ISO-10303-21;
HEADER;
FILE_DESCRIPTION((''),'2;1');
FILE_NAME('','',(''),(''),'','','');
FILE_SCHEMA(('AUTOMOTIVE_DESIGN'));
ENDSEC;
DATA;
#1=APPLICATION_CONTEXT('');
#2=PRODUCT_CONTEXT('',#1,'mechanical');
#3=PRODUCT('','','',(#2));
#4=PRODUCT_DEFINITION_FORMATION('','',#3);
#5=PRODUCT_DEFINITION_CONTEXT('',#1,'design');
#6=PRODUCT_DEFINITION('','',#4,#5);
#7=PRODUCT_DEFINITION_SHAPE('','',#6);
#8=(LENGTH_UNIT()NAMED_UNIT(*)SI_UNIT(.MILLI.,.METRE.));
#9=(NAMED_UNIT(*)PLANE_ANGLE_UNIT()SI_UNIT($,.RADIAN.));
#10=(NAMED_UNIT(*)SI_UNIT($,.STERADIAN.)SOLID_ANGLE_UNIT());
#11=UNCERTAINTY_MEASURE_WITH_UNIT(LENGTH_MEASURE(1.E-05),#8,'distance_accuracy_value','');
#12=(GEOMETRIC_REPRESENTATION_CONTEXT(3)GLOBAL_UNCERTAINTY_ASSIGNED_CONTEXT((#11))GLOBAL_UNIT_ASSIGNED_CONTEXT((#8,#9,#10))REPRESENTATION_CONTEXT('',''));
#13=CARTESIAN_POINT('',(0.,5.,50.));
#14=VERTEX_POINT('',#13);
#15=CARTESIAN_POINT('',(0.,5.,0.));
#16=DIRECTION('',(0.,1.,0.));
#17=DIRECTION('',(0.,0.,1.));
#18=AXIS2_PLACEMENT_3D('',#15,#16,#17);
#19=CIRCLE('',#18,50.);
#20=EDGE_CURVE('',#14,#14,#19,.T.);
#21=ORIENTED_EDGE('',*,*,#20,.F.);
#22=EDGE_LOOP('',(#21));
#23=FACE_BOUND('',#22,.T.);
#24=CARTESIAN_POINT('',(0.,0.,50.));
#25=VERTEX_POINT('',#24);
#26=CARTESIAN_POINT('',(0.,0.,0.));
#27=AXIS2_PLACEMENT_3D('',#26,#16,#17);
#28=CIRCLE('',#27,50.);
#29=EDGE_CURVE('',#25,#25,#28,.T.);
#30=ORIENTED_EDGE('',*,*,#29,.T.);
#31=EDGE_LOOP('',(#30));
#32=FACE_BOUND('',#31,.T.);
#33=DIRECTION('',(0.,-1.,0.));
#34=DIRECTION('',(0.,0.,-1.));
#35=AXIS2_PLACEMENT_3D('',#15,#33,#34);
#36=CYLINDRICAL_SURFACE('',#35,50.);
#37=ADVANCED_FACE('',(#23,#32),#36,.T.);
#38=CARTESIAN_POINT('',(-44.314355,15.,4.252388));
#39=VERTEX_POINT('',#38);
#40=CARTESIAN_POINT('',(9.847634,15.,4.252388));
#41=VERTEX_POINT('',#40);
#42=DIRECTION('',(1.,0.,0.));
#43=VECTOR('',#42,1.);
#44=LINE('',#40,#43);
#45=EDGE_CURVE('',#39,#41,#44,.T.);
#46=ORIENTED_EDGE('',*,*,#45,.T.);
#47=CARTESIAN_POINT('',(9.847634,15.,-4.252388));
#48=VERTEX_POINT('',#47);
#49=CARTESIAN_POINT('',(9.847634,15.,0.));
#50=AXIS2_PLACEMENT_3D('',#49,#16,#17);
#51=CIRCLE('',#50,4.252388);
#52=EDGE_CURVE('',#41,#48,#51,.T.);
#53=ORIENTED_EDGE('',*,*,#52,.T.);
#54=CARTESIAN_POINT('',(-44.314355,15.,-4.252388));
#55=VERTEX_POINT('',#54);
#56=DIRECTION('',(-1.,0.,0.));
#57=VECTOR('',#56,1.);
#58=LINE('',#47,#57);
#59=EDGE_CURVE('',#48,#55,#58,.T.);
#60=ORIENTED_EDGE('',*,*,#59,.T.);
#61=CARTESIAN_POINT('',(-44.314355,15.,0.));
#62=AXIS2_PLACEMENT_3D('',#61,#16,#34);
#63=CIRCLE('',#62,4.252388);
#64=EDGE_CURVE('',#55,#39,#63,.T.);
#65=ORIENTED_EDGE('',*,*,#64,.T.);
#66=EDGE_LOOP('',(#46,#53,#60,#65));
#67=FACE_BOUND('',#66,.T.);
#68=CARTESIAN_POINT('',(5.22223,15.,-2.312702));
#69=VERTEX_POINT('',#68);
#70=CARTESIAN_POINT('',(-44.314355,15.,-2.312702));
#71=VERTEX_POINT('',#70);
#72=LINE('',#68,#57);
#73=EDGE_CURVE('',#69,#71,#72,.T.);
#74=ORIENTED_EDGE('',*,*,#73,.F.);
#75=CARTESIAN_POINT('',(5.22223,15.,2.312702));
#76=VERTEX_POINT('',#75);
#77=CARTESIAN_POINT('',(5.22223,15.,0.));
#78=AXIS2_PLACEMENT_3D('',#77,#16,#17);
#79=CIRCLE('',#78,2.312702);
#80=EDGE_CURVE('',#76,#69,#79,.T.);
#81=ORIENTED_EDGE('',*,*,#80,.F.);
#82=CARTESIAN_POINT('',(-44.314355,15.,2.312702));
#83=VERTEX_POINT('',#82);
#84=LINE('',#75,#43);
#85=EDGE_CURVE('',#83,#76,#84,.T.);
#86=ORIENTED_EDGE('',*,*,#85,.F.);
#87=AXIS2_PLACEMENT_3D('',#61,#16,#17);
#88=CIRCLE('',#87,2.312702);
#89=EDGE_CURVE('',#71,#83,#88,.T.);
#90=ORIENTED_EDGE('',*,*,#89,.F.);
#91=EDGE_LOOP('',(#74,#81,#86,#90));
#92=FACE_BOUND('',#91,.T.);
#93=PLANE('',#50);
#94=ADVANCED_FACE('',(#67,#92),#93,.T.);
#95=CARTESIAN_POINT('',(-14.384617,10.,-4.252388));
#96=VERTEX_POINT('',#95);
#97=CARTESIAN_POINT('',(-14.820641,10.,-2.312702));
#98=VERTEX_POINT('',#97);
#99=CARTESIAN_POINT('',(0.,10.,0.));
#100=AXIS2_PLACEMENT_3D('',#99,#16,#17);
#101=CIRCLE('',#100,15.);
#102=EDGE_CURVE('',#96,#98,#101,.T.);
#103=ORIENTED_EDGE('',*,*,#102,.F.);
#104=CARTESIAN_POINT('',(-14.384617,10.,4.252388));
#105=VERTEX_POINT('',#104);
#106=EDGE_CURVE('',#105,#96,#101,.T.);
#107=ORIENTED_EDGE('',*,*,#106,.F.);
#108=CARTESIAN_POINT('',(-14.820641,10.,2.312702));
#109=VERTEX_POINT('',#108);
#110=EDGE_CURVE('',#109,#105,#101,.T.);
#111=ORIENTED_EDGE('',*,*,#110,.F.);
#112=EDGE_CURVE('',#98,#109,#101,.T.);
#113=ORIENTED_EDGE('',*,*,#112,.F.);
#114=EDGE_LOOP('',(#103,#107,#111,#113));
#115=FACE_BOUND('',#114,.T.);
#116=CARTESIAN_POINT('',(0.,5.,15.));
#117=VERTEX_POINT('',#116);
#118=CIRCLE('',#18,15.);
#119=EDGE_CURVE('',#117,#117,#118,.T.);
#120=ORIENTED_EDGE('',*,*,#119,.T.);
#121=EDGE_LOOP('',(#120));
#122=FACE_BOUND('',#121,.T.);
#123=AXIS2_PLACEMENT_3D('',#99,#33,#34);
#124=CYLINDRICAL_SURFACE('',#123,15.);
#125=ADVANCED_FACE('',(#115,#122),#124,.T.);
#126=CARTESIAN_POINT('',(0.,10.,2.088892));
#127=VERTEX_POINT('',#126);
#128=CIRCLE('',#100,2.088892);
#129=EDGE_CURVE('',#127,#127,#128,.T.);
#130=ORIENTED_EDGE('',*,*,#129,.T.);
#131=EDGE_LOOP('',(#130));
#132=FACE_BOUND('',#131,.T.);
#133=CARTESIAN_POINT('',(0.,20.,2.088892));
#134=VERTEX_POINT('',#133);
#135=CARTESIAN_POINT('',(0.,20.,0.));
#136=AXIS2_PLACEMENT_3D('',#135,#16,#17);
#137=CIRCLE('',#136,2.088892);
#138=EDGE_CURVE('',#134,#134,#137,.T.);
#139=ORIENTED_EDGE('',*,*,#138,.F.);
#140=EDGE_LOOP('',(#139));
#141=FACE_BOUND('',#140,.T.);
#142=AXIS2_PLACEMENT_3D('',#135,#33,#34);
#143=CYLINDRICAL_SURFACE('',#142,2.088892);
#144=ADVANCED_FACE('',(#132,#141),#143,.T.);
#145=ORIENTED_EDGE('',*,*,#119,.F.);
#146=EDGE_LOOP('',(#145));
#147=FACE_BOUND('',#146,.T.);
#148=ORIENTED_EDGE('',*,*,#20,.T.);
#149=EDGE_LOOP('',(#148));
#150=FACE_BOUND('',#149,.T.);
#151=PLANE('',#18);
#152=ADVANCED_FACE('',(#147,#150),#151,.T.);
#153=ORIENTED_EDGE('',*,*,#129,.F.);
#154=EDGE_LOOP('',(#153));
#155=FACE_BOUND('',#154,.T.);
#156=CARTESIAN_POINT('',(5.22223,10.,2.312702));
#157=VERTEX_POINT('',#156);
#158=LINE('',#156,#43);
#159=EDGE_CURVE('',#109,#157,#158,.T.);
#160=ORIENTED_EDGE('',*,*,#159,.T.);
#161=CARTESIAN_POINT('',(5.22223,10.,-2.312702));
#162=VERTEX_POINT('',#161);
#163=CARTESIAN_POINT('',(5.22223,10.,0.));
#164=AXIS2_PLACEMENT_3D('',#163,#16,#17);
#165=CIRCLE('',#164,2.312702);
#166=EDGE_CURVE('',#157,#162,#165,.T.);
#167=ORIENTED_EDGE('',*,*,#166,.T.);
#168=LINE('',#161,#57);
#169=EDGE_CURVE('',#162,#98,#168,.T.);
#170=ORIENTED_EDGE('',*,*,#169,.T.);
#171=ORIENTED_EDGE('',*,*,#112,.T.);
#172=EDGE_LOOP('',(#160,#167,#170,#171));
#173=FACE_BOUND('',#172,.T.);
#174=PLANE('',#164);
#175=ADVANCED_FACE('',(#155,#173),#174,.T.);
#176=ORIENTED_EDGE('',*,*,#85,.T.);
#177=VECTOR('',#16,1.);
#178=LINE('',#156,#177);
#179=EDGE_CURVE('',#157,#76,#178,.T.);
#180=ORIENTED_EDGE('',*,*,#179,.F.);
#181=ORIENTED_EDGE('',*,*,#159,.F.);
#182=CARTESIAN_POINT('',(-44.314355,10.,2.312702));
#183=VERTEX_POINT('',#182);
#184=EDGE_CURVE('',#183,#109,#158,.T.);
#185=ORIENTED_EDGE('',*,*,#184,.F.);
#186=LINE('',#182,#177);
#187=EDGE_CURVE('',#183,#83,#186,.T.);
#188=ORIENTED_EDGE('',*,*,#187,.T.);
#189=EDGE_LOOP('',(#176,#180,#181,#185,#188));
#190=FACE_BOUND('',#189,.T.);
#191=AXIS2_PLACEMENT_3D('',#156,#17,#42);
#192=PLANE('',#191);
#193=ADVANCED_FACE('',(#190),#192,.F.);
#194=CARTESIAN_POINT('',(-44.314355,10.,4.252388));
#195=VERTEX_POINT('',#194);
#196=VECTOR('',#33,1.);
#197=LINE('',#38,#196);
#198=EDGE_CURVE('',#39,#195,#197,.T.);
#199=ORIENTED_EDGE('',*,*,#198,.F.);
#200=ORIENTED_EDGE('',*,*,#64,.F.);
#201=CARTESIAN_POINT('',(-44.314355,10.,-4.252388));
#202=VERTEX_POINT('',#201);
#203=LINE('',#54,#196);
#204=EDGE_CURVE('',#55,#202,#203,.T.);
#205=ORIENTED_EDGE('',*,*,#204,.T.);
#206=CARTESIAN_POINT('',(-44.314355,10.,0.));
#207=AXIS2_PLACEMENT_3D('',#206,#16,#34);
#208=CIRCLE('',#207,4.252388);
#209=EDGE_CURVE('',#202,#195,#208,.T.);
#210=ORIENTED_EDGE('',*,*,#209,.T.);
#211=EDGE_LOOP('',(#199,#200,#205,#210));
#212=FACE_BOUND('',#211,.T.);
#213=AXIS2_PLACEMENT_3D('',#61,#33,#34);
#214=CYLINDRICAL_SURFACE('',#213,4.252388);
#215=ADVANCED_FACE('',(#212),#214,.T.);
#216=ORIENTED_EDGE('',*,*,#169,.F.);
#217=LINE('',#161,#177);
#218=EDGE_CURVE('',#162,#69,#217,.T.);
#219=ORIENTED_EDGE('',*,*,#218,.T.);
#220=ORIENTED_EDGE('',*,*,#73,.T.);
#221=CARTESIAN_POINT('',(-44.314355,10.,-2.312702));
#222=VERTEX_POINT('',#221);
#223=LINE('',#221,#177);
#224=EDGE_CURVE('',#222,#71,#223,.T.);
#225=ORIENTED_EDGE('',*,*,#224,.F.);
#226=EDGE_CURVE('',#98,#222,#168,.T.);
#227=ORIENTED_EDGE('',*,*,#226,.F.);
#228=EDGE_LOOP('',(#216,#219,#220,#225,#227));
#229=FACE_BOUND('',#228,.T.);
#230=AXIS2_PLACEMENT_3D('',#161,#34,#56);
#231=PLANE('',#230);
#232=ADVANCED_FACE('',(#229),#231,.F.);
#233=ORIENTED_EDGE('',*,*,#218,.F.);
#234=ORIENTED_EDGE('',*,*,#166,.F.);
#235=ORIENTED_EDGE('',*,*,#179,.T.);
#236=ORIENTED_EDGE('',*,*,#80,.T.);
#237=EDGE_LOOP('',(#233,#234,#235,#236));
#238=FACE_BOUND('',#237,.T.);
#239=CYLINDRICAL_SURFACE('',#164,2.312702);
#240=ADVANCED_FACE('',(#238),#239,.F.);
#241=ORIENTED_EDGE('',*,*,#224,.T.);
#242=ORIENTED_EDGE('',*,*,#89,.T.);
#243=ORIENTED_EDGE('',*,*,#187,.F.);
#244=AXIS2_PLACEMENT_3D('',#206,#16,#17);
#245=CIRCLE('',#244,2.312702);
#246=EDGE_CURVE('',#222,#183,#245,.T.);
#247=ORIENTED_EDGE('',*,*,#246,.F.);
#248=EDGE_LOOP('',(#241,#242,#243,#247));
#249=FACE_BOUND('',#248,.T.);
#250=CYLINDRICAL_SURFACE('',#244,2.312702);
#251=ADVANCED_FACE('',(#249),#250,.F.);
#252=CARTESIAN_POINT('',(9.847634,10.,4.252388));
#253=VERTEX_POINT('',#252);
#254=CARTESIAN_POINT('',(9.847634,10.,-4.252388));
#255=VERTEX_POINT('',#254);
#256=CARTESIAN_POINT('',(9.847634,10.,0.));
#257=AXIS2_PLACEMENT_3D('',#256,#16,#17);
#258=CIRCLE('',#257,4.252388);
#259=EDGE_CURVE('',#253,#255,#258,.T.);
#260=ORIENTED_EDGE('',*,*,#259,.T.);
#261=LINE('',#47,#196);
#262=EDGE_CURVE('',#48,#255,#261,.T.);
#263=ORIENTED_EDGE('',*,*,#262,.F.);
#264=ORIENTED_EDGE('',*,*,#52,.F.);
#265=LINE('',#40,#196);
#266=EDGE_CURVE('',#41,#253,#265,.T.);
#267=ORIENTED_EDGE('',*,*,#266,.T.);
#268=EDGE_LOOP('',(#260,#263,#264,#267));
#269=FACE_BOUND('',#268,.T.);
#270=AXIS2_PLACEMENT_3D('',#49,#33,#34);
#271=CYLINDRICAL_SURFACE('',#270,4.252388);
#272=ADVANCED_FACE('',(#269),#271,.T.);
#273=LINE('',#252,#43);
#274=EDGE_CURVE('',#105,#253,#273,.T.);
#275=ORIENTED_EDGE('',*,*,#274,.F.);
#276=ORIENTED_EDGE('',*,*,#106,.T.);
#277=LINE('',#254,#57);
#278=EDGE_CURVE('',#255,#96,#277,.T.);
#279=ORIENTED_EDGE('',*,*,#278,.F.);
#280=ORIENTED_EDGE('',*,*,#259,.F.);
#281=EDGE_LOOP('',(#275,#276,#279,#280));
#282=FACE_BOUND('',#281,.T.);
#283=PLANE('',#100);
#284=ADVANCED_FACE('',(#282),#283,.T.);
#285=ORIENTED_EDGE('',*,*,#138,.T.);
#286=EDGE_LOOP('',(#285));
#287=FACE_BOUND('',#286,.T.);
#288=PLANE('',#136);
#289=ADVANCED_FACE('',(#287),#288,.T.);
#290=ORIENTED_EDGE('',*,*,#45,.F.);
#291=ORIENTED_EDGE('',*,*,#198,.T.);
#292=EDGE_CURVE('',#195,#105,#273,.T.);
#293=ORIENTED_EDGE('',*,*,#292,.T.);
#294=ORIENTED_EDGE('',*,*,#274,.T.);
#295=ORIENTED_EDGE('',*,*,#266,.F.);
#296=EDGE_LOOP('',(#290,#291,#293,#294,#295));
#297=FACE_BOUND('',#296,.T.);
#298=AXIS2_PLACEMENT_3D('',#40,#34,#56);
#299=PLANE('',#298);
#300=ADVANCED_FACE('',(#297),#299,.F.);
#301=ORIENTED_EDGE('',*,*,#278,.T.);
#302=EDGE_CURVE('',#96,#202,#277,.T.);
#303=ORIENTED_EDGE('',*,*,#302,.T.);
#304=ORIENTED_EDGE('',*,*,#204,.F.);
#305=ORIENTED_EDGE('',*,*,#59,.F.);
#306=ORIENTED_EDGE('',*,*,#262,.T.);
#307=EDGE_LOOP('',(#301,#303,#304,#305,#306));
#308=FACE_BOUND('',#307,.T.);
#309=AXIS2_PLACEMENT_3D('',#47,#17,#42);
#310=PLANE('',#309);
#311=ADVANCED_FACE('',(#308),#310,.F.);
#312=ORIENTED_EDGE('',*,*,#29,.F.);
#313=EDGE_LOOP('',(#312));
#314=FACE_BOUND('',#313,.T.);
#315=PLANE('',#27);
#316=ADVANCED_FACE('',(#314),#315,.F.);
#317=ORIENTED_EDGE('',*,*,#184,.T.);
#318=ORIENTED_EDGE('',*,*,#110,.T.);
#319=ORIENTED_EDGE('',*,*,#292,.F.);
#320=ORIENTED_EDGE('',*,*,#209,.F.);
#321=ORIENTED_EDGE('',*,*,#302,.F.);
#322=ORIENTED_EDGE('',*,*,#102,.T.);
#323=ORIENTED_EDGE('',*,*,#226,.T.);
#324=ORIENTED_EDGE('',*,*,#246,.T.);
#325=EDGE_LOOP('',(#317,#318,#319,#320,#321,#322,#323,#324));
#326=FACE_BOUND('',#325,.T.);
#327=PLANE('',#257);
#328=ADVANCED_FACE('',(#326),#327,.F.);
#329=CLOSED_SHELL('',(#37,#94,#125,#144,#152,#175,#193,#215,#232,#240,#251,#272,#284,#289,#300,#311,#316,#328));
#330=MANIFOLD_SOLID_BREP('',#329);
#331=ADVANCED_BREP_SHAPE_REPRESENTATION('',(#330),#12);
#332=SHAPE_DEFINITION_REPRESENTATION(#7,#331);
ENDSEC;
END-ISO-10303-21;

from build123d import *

# Parameters (mm, degrees)
SKETCH1_R           = 50
BOSS_EXTRUDE1_DEPTH = 5
SKETCH2_R           = 15
BOSS_EXTRUDE2_DEPTH = 5
BOSS_EXTRUDE3_DEPTH = 5
CUT_EXTRUDE1_DEPTH  = 5
SKETCH6_R           = 2.088892153
BOSS_EXTRUDE4_DEPTH = 10


with BuildPart() as part:
    # Sketch1 → Boss-Extrude1 (new body)
    with BuildSketch(Plane(origin=(0, 0, 0), x_dir=(1, 0, 0), z_dir=(0, 1, 0))):
        Circle(SKETCH1_R)
    extrude(amount=BOSS_EXTRUDE1_DEPTH)

    # Sketch2 → Boss-Extrude2 (add)
    with BuildSketch(Plane(origin=(0, 5, 0), x_dir=(1, 0, 0), z_dir=(0, 1, 0))):
        Circle(SKETCH2_R)
    extrude(amount=BOSS_EXTRUDE2_DEPTH)

    # Sketch4 → Boss-Extrude3 (add)
    with BuildSketch(Plane(origin=(0, 10, 0), x_dir=(1, 0, 0), z_dir=(0, 1, 0))):
        with BuildLine():
            Line((9.847634435, -4.252387597), (-44.314354955, -4.252387597))
            ThreePointArc((-44.314354955, -4.252387597), (-48.566742552, 0), (-44.314354955, 4.252387597))
            Line((-44.314354955, 4.252387597), (9.847634435, 4.252387597))
            ThreePointArc((9.847634435, 4.252387597), (14.100022031, 0), (9.847634435, -4.252387597))
        make_face()
    extrude(amount=BOSS_EXTRUDE3_DEPTH)

    # Sketch5 → Cut-Extrude1 (cut)
    with BuildSketch(Plane(origin=(0, 15, 0), x_dir=(1, 0, 0), z_dir=(0, 1, 0))):
        with BuildLine():
            Line((5.222230382, -2.312702026), (-44.314354955, -2.312702026))
            ThreePointArc((-44.314354955, -2.312702026), (-46.627056982, 0), (-44.314354955, 2.312702026))
            Line((-44.314354955, 2.312702026), (5.222230382, 2.312702026))
            ThreePointArc((5.222230382, 2.312702026), (7.534932408, 0), (5.222230382, -2.312702026))
        make_face()
    extrude(amount=-CUT_EXTRUDE1_DEPTH, mode=Mode.SUBTRACT)

    # Sketch6 → Boss-Extrude4 (add)
    with BuildSketch(Plane(origin=(0, 10, 0), x_dir=(1, 0, 0), z_dir=(0, 1, 0))):
        Circle(SKETCH6_R)
    extrude(amount=BOSS_EXTRUDE4_DEPTH)


solid = part.part
